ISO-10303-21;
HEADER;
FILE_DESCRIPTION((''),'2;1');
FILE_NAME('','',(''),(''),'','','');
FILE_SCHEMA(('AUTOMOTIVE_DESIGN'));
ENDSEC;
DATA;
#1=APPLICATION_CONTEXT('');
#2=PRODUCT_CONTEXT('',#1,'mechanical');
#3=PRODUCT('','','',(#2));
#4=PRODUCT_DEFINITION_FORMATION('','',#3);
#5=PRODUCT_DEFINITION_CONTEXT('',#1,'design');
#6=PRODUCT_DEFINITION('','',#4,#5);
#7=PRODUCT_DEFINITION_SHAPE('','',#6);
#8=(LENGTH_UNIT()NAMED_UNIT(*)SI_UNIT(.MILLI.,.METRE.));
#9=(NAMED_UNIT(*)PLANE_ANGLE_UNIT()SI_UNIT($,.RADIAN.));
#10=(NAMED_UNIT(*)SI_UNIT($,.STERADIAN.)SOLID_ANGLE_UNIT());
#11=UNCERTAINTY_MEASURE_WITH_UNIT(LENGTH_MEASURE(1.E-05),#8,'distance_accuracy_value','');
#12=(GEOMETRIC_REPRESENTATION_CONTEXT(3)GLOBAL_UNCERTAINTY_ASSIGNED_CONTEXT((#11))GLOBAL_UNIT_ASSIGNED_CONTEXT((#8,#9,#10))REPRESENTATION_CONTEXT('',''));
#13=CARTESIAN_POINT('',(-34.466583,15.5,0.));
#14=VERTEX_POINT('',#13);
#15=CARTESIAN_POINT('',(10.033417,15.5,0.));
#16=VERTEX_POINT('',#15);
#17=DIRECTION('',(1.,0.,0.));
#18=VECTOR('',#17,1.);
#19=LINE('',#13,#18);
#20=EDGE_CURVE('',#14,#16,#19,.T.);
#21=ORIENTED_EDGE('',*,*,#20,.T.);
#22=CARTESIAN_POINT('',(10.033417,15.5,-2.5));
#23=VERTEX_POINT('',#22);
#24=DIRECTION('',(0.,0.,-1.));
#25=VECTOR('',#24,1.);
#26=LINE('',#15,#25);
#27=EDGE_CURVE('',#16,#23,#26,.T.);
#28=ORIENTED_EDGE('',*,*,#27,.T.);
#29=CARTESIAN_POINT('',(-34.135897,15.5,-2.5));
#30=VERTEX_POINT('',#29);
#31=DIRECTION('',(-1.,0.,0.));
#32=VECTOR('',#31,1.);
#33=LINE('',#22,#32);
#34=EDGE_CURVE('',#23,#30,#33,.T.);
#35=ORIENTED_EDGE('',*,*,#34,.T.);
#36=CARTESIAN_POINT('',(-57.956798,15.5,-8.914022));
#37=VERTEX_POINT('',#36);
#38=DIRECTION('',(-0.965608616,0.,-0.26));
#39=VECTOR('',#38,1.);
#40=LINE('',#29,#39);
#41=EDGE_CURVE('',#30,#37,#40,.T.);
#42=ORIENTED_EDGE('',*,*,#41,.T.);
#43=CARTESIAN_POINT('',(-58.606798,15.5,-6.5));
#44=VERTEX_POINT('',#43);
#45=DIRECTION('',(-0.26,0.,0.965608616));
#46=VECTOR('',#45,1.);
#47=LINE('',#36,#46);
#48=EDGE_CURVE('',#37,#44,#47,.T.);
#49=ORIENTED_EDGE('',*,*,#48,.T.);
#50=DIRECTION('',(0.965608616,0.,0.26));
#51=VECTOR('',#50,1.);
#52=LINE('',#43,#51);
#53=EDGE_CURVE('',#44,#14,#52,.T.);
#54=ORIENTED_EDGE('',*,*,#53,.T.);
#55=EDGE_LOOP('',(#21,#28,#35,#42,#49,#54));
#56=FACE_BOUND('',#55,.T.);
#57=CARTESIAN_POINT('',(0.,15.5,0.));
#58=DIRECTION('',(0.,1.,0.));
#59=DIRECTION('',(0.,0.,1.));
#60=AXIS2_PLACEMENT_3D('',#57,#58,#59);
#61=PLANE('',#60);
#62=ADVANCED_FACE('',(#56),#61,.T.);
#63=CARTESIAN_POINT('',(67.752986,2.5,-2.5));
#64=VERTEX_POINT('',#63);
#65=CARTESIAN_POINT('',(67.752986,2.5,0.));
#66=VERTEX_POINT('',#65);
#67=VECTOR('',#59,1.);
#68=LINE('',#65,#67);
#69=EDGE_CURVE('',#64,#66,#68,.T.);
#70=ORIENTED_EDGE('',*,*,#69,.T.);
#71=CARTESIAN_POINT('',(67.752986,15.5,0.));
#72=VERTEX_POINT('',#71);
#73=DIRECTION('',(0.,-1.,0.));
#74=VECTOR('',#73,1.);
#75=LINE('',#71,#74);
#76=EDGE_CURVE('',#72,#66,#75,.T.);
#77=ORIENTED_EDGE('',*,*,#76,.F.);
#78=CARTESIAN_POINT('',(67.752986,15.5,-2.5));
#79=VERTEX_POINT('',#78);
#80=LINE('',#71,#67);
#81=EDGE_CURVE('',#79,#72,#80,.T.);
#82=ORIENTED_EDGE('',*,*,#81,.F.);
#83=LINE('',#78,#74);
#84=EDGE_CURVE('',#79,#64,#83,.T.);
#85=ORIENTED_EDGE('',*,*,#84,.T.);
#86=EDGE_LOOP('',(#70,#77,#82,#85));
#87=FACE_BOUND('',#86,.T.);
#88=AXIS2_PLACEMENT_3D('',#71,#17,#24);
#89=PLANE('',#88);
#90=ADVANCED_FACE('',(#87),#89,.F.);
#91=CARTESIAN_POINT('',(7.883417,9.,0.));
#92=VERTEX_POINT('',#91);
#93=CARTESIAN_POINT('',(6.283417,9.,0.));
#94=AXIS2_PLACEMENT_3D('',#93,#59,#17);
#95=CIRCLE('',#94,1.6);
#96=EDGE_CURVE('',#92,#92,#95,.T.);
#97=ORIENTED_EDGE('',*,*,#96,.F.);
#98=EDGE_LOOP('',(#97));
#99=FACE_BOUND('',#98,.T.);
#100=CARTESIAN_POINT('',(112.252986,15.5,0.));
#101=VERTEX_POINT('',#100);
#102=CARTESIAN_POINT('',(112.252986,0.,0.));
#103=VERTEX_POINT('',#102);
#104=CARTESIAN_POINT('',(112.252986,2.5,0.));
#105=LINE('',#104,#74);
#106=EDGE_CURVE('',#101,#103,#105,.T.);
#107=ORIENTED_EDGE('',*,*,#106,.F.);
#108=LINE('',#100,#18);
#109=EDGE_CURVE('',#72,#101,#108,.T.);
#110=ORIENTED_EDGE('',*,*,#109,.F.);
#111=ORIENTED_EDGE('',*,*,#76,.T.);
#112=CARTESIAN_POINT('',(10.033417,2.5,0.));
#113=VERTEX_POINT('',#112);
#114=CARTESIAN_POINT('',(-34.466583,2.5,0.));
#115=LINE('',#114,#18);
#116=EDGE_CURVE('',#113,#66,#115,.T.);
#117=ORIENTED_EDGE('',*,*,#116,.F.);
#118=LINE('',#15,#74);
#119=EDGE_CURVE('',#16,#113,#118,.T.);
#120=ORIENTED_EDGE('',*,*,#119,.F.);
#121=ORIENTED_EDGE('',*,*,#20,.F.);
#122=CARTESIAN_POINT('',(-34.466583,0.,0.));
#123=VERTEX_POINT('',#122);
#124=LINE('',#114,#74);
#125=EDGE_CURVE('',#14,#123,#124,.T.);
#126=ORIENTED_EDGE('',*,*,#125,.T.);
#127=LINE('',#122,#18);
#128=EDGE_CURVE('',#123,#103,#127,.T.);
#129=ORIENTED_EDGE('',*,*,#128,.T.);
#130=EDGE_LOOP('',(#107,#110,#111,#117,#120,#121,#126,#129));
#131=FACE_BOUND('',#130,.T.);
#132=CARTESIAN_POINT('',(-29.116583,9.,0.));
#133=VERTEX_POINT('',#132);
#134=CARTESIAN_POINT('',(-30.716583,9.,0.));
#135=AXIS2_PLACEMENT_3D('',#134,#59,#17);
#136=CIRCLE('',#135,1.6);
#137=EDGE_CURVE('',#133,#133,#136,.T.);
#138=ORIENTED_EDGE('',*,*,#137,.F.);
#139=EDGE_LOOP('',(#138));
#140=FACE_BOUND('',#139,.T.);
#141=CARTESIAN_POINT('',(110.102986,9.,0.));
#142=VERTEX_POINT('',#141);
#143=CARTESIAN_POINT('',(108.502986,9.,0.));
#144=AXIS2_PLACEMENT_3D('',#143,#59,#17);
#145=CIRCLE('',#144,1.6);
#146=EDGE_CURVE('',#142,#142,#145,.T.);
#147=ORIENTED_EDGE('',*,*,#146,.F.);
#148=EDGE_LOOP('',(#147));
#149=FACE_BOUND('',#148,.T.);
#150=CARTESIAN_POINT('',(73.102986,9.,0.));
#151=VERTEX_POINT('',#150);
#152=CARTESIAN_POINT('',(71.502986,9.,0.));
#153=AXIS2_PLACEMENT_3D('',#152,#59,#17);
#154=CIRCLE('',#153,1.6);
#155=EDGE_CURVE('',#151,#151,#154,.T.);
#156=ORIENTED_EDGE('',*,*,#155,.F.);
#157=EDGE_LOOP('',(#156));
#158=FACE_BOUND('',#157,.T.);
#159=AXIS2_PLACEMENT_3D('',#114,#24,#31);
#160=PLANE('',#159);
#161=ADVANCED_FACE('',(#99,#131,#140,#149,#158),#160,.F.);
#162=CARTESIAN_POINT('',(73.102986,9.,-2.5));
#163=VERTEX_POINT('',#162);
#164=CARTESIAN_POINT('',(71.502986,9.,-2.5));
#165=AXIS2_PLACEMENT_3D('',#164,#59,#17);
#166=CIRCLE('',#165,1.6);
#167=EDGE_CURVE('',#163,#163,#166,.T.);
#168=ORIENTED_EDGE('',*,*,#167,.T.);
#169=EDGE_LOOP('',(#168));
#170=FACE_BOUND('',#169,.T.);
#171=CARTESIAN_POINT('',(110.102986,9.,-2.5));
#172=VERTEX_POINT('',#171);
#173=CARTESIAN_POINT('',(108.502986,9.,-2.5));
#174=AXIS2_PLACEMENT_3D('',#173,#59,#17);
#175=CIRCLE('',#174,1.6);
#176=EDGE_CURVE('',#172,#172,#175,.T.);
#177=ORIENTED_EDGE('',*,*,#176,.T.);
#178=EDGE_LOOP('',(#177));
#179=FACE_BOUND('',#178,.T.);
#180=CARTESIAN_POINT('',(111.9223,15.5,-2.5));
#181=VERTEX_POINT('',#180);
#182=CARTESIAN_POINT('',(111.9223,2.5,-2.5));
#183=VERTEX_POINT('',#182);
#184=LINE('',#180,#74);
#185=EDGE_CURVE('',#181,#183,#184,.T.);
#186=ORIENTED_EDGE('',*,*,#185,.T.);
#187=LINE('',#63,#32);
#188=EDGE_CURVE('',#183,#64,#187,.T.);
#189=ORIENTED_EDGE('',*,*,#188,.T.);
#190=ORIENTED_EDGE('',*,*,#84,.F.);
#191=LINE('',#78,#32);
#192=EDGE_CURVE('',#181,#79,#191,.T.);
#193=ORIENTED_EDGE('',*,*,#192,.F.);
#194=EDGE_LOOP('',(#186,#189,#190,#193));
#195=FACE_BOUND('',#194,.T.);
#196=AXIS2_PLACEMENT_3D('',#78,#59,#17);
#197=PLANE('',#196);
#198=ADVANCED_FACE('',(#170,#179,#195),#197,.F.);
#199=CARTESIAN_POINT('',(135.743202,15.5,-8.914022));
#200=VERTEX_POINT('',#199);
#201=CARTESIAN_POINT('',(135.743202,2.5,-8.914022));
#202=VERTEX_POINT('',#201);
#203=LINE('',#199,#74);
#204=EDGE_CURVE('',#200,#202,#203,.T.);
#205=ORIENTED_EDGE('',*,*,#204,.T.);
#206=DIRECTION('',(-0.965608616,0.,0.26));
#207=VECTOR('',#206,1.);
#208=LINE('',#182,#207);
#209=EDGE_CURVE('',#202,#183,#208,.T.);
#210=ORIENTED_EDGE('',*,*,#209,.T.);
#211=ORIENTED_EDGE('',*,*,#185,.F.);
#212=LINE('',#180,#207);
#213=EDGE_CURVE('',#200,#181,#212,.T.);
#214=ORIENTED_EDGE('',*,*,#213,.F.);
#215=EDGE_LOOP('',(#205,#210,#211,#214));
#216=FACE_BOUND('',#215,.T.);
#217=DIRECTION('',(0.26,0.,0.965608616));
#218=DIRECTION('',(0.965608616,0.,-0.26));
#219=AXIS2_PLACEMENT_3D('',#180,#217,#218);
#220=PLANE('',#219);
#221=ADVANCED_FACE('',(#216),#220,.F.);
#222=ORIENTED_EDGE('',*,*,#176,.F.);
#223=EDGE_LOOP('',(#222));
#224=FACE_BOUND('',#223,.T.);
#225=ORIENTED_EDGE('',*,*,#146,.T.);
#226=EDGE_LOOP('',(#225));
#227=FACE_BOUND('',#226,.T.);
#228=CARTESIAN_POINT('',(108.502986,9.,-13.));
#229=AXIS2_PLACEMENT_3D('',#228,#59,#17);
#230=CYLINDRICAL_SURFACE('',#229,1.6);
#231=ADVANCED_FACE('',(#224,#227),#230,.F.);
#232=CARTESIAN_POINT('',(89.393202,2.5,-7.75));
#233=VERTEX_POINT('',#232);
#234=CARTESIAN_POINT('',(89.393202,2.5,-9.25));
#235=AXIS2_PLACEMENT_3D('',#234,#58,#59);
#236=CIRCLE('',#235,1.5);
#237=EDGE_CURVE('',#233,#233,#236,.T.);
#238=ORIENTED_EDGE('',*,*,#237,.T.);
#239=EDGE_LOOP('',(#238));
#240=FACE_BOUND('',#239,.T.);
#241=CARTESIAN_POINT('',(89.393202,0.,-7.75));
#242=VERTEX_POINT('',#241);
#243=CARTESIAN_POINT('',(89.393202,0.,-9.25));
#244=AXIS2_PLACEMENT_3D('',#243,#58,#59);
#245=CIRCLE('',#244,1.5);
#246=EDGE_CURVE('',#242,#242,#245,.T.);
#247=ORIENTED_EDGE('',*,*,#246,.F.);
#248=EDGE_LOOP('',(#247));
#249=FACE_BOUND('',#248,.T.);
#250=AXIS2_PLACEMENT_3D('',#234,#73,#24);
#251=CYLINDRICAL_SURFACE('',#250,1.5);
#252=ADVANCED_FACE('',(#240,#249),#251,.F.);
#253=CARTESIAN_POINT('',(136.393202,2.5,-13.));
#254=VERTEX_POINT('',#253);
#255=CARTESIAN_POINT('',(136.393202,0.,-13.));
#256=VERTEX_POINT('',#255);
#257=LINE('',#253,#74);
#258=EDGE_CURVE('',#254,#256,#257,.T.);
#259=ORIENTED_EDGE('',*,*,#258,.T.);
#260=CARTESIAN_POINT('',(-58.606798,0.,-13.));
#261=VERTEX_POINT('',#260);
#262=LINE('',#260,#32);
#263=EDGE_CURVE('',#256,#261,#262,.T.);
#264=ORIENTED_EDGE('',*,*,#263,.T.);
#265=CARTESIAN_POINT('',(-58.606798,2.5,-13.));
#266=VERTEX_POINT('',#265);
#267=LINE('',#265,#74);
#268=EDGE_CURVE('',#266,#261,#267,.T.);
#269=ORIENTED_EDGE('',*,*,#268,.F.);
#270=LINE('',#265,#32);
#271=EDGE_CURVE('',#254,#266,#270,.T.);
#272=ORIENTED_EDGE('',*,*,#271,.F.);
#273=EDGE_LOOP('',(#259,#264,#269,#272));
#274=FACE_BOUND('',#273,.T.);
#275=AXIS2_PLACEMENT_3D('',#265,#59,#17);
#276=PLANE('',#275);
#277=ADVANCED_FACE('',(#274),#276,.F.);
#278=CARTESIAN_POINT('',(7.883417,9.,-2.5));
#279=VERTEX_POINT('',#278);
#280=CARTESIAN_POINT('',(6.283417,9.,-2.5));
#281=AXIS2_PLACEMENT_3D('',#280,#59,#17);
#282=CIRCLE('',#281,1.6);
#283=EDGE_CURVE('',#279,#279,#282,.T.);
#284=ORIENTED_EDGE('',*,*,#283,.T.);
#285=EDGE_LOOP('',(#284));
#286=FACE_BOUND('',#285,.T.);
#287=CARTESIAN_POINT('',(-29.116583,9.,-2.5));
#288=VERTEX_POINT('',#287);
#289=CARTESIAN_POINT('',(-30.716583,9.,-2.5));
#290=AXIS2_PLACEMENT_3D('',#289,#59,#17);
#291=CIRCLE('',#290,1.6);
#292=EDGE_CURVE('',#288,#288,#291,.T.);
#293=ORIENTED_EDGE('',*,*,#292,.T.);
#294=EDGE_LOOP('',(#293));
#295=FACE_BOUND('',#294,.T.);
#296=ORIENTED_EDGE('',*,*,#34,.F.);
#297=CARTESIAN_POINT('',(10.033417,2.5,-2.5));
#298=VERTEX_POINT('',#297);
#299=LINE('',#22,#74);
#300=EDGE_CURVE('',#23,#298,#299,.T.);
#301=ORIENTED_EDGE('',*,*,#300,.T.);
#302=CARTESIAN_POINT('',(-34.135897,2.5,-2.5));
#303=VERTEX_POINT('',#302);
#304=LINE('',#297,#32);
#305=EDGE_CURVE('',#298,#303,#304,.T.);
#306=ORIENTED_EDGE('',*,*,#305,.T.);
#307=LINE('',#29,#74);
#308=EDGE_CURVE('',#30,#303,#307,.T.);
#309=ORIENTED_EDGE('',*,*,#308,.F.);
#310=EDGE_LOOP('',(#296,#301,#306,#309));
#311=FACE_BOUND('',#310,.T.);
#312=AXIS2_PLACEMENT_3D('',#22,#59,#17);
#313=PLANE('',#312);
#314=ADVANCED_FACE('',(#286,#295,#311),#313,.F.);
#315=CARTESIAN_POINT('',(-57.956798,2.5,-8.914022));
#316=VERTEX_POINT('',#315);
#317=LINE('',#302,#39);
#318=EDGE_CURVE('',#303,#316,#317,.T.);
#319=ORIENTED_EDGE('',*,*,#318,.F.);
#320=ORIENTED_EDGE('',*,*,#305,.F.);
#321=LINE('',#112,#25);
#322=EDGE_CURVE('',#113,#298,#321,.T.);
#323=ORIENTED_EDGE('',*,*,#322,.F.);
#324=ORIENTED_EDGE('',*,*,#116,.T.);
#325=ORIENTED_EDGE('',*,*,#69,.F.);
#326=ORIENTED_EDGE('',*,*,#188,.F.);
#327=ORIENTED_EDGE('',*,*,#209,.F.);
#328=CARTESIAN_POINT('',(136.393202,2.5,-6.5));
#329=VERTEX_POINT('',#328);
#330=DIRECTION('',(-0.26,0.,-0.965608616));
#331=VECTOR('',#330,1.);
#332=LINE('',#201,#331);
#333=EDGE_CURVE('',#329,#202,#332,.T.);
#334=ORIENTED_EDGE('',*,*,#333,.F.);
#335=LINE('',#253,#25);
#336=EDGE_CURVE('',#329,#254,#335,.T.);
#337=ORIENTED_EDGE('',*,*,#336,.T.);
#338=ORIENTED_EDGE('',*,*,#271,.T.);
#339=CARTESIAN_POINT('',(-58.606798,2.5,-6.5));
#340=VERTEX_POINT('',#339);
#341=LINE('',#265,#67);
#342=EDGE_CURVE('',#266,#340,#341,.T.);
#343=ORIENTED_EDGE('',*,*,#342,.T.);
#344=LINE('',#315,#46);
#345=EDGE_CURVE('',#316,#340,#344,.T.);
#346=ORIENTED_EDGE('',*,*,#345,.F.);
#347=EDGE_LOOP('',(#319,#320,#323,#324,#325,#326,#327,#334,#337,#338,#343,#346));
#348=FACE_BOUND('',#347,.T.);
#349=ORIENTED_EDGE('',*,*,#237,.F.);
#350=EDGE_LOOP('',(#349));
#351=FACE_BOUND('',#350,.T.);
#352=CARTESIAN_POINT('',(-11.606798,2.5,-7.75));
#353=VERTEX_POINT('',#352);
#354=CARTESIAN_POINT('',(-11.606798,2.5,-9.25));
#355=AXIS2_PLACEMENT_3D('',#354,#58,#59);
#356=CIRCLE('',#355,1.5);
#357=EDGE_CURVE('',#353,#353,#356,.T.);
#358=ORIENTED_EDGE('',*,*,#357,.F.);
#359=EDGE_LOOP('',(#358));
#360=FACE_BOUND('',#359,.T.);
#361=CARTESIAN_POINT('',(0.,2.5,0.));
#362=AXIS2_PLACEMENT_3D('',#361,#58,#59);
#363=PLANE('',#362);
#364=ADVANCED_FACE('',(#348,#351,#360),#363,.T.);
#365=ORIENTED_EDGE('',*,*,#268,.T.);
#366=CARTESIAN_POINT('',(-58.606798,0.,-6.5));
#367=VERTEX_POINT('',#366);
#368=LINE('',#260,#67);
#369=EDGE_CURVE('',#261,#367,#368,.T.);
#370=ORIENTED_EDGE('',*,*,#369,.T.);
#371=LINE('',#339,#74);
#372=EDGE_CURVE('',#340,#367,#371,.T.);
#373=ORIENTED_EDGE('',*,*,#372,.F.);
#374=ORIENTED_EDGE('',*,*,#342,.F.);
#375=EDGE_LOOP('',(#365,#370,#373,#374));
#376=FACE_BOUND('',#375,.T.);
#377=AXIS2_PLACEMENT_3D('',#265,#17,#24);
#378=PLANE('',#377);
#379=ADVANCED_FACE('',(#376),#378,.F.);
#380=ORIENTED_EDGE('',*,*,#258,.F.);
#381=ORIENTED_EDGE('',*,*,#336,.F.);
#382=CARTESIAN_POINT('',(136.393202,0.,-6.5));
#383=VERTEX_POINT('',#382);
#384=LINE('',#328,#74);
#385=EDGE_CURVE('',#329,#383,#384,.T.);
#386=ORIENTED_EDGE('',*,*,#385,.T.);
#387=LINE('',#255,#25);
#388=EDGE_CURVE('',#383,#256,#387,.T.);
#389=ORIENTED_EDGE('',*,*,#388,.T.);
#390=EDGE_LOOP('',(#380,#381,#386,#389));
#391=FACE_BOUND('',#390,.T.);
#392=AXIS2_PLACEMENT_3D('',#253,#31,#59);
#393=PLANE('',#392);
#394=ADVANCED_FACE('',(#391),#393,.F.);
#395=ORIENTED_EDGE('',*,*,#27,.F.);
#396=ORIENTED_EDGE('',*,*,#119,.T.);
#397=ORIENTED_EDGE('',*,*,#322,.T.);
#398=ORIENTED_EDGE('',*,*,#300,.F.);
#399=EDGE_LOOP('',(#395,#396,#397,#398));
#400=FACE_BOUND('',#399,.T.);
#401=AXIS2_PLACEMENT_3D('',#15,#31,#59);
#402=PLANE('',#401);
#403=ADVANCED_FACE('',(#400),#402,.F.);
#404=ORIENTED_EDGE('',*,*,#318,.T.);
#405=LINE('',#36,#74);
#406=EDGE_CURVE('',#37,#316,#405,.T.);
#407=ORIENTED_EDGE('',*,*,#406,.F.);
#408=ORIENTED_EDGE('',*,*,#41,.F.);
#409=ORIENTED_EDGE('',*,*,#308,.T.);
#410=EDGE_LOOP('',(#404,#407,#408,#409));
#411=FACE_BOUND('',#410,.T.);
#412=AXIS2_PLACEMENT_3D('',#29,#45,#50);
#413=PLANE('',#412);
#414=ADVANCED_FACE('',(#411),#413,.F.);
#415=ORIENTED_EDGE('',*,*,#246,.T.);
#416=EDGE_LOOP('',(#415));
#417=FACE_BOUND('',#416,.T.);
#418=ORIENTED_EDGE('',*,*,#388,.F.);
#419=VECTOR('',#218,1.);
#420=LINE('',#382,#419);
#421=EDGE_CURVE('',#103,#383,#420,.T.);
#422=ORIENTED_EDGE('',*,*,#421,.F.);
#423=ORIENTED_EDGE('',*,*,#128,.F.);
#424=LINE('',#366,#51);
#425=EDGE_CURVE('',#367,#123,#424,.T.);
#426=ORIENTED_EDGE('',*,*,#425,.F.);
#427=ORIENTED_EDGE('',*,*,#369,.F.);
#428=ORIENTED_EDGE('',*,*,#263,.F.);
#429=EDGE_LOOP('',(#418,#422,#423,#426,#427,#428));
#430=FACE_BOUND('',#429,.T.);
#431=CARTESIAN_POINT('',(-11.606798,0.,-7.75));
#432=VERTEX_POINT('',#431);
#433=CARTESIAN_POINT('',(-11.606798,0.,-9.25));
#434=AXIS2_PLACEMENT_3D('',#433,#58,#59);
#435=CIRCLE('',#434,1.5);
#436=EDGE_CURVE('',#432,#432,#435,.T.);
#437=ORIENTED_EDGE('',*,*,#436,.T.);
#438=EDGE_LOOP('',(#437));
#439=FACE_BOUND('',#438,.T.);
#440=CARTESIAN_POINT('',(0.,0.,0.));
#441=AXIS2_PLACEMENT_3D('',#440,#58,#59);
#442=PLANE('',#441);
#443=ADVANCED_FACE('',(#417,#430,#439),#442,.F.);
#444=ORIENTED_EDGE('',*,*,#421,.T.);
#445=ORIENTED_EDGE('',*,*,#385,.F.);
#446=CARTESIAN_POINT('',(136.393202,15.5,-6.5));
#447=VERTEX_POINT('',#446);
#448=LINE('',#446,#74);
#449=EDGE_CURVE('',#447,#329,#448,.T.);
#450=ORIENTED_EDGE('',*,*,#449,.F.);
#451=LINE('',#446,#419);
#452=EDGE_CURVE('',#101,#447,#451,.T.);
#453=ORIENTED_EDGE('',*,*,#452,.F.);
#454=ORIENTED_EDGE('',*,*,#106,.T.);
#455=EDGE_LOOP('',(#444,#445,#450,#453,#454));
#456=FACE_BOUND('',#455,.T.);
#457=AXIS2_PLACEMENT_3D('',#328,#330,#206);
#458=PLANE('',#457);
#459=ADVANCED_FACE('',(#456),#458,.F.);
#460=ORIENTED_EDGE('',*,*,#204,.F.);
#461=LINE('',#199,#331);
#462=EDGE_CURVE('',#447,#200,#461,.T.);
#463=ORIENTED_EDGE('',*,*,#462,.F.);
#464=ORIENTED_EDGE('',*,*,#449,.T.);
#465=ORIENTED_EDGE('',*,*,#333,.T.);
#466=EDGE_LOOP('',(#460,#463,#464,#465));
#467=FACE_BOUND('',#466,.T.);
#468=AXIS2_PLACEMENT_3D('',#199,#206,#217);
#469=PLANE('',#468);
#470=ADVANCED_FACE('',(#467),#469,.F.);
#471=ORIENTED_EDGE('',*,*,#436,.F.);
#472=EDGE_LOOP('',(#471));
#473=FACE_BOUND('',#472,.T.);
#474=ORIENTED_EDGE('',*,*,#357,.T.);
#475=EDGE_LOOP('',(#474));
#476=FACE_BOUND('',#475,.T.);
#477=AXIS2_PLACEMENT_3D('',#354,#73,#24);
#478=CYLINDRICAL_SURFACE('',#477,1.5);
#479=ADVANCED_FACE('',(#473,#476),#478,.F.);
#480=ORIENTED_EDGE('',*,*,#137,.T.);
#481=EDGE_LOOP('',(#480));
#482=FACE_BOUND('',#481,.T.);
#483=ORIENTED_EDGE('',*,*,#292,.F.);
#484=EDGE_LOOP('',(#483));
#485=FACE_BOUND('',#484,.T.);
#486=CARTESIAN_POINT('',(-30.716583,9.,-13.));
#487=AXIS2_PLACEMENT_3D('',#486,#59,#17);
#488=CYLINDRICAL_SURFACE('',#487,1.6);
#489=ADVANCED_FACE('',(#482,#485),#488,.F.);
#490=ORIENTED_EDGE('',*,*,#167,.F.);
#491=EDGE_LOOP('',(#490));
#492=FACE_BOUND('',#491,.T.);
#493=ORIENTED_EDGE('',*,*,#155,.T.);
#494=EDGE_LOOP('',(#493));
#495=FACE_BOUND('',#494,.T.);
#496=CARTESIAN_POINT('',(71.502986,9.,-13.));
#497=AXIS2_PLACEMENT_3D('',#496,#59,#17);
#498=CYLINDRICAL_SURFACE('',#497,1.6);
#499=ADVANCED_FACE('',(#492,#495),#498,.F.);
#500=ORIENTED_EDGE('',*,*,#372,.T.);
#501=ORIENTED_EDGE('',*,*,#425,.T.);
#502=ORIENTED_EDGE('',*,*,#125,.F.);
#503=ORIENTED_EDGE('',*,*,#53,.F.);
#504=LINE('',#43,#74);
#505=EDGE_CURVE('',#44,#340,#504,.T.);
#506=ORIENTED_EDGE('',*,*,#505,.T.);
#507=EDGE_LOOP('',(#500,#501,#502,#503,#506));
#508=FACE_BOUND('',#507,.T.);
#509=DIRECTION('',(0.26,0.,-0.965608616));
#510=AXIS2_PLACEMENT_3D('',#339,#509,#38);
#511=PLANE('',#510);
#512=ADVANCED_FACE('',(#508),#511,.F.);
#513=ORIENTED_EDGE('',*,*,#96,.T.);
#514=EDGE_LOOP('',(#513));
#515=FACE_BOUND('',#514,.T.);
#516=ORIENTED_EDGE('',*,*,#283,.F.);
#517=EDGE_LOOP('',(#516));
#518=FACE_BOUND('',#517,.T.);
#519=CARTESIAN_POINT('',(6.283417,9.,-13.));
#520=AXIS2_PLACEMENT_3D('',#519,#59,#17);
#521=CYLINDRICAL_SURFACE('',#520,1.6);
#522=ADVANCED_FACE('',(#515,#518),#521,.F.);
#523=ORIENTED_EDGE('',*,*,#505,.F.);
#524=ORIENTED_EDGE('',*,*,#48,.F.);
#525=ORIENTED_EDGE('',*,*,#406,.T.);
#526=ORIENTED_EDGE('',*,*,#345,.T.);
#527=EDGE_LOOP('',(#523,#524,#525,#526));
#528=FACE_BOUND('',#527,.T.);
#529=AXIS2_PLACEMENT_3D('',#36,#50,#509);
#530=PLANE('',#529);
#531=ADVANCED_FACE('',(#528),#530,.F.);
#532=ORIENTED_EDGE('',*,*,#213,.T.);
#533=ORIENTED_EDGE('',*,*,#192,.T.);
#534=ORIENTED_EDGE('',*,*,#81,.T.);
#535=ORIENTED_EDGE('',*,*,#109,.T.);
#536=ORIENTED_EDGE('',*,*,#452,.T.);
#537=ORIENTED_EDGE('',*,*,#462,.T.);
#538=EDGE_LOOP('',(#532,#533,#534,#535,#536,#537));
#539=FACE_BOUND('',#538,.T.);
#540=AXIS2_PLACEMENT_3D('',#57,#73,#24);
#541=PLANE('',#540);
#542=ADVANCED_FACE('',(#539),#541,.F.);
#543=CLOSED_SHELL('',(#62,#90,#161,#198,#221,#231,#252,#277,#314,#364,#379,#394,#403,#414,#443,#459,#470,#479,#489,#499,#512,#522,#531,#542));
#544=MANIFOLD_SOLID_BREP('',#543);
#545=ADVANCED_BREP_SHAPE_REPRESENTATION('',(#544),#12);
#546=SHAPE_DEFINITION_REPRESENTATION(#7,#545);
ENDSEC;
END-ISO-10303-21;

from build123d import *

# Parameters (mm, degrees)
SKETCH1_R           = 1.5
BOSS_EXTRUDE1_DEPTH = 2.5
BOSS_EXTRUDE2_DEPTH = 13
SKETCH3_R           = 1.6
CUT_EXTRUDE1_DEPTH  = 13


with BuildPart() as part:
    # Sketch1 → Boss-Extrude1 (new body)
    with BuildSketch(Plane(origin=(0, 0, 0), x_dir=(1, 0, 0), z_dir=(0, 1, 0))):
        Polygon((-58.606798355, 6.5), (-34.466582946, 0), (112.252986236, 0), (136.393201645, 6.5), (136.393201645, 13), (-58.606798355, 13), align=None)
        with Locations((-11.606798355, 9.25)):
            Circle(SKETCH1_R, mode=Mode.SUBTRACT)
        with Locations((89.393201645, 9.25)):
            Circle(SKETCH1_R, mode=Mode.SUBTRACT)
    extrude(amount=BOSS_EXTRUDE1_DEPTH)

    # Sketch2 → Boss-Extrude2 (add)
    with BuildSketch(Plane(origin=(0, 2.5, 0), x_dir=(1, 0, 0), z_dir=(0, 1, 0))):
        Polygon((-58.606798355, 6.5), (-34.466582946, 0), (10.033417054, 0), (10.033417054, 2.5), (-34.135896564, 2.5), (-57.956798355, 8.914021541), align=None)
        Polygon((136.393201645, 6.5), (112.252986236, 0), (67.752986236, 0), (67.752986236, 2.5), (111.922299855, 2.5), (135.743201645, 8.914021541), align=None)
    extrude(amount=BOSS_EXTRUDE2_DEPTH)

    # Sketch3 → Cut-Extrude1 (cut)
    with BuildSketch(Plane.XY):
        with Locations((-30.716582946, 9)):
            Circle(SKETCH3_R)
        with Locations((6.283417054, 9)):
            Circle(SKETCH3_R)
        with Locations((71.502986236, 9)):
            Circle(SKETCH3_R)
        with Locations((108.502986236, 9)):
            Circle(SKETCH3_R)
    extrude(amount=-CUT_EXTRUDE1_DEPTH, mode=Mode.SUBTRACT)


solid = part.part
